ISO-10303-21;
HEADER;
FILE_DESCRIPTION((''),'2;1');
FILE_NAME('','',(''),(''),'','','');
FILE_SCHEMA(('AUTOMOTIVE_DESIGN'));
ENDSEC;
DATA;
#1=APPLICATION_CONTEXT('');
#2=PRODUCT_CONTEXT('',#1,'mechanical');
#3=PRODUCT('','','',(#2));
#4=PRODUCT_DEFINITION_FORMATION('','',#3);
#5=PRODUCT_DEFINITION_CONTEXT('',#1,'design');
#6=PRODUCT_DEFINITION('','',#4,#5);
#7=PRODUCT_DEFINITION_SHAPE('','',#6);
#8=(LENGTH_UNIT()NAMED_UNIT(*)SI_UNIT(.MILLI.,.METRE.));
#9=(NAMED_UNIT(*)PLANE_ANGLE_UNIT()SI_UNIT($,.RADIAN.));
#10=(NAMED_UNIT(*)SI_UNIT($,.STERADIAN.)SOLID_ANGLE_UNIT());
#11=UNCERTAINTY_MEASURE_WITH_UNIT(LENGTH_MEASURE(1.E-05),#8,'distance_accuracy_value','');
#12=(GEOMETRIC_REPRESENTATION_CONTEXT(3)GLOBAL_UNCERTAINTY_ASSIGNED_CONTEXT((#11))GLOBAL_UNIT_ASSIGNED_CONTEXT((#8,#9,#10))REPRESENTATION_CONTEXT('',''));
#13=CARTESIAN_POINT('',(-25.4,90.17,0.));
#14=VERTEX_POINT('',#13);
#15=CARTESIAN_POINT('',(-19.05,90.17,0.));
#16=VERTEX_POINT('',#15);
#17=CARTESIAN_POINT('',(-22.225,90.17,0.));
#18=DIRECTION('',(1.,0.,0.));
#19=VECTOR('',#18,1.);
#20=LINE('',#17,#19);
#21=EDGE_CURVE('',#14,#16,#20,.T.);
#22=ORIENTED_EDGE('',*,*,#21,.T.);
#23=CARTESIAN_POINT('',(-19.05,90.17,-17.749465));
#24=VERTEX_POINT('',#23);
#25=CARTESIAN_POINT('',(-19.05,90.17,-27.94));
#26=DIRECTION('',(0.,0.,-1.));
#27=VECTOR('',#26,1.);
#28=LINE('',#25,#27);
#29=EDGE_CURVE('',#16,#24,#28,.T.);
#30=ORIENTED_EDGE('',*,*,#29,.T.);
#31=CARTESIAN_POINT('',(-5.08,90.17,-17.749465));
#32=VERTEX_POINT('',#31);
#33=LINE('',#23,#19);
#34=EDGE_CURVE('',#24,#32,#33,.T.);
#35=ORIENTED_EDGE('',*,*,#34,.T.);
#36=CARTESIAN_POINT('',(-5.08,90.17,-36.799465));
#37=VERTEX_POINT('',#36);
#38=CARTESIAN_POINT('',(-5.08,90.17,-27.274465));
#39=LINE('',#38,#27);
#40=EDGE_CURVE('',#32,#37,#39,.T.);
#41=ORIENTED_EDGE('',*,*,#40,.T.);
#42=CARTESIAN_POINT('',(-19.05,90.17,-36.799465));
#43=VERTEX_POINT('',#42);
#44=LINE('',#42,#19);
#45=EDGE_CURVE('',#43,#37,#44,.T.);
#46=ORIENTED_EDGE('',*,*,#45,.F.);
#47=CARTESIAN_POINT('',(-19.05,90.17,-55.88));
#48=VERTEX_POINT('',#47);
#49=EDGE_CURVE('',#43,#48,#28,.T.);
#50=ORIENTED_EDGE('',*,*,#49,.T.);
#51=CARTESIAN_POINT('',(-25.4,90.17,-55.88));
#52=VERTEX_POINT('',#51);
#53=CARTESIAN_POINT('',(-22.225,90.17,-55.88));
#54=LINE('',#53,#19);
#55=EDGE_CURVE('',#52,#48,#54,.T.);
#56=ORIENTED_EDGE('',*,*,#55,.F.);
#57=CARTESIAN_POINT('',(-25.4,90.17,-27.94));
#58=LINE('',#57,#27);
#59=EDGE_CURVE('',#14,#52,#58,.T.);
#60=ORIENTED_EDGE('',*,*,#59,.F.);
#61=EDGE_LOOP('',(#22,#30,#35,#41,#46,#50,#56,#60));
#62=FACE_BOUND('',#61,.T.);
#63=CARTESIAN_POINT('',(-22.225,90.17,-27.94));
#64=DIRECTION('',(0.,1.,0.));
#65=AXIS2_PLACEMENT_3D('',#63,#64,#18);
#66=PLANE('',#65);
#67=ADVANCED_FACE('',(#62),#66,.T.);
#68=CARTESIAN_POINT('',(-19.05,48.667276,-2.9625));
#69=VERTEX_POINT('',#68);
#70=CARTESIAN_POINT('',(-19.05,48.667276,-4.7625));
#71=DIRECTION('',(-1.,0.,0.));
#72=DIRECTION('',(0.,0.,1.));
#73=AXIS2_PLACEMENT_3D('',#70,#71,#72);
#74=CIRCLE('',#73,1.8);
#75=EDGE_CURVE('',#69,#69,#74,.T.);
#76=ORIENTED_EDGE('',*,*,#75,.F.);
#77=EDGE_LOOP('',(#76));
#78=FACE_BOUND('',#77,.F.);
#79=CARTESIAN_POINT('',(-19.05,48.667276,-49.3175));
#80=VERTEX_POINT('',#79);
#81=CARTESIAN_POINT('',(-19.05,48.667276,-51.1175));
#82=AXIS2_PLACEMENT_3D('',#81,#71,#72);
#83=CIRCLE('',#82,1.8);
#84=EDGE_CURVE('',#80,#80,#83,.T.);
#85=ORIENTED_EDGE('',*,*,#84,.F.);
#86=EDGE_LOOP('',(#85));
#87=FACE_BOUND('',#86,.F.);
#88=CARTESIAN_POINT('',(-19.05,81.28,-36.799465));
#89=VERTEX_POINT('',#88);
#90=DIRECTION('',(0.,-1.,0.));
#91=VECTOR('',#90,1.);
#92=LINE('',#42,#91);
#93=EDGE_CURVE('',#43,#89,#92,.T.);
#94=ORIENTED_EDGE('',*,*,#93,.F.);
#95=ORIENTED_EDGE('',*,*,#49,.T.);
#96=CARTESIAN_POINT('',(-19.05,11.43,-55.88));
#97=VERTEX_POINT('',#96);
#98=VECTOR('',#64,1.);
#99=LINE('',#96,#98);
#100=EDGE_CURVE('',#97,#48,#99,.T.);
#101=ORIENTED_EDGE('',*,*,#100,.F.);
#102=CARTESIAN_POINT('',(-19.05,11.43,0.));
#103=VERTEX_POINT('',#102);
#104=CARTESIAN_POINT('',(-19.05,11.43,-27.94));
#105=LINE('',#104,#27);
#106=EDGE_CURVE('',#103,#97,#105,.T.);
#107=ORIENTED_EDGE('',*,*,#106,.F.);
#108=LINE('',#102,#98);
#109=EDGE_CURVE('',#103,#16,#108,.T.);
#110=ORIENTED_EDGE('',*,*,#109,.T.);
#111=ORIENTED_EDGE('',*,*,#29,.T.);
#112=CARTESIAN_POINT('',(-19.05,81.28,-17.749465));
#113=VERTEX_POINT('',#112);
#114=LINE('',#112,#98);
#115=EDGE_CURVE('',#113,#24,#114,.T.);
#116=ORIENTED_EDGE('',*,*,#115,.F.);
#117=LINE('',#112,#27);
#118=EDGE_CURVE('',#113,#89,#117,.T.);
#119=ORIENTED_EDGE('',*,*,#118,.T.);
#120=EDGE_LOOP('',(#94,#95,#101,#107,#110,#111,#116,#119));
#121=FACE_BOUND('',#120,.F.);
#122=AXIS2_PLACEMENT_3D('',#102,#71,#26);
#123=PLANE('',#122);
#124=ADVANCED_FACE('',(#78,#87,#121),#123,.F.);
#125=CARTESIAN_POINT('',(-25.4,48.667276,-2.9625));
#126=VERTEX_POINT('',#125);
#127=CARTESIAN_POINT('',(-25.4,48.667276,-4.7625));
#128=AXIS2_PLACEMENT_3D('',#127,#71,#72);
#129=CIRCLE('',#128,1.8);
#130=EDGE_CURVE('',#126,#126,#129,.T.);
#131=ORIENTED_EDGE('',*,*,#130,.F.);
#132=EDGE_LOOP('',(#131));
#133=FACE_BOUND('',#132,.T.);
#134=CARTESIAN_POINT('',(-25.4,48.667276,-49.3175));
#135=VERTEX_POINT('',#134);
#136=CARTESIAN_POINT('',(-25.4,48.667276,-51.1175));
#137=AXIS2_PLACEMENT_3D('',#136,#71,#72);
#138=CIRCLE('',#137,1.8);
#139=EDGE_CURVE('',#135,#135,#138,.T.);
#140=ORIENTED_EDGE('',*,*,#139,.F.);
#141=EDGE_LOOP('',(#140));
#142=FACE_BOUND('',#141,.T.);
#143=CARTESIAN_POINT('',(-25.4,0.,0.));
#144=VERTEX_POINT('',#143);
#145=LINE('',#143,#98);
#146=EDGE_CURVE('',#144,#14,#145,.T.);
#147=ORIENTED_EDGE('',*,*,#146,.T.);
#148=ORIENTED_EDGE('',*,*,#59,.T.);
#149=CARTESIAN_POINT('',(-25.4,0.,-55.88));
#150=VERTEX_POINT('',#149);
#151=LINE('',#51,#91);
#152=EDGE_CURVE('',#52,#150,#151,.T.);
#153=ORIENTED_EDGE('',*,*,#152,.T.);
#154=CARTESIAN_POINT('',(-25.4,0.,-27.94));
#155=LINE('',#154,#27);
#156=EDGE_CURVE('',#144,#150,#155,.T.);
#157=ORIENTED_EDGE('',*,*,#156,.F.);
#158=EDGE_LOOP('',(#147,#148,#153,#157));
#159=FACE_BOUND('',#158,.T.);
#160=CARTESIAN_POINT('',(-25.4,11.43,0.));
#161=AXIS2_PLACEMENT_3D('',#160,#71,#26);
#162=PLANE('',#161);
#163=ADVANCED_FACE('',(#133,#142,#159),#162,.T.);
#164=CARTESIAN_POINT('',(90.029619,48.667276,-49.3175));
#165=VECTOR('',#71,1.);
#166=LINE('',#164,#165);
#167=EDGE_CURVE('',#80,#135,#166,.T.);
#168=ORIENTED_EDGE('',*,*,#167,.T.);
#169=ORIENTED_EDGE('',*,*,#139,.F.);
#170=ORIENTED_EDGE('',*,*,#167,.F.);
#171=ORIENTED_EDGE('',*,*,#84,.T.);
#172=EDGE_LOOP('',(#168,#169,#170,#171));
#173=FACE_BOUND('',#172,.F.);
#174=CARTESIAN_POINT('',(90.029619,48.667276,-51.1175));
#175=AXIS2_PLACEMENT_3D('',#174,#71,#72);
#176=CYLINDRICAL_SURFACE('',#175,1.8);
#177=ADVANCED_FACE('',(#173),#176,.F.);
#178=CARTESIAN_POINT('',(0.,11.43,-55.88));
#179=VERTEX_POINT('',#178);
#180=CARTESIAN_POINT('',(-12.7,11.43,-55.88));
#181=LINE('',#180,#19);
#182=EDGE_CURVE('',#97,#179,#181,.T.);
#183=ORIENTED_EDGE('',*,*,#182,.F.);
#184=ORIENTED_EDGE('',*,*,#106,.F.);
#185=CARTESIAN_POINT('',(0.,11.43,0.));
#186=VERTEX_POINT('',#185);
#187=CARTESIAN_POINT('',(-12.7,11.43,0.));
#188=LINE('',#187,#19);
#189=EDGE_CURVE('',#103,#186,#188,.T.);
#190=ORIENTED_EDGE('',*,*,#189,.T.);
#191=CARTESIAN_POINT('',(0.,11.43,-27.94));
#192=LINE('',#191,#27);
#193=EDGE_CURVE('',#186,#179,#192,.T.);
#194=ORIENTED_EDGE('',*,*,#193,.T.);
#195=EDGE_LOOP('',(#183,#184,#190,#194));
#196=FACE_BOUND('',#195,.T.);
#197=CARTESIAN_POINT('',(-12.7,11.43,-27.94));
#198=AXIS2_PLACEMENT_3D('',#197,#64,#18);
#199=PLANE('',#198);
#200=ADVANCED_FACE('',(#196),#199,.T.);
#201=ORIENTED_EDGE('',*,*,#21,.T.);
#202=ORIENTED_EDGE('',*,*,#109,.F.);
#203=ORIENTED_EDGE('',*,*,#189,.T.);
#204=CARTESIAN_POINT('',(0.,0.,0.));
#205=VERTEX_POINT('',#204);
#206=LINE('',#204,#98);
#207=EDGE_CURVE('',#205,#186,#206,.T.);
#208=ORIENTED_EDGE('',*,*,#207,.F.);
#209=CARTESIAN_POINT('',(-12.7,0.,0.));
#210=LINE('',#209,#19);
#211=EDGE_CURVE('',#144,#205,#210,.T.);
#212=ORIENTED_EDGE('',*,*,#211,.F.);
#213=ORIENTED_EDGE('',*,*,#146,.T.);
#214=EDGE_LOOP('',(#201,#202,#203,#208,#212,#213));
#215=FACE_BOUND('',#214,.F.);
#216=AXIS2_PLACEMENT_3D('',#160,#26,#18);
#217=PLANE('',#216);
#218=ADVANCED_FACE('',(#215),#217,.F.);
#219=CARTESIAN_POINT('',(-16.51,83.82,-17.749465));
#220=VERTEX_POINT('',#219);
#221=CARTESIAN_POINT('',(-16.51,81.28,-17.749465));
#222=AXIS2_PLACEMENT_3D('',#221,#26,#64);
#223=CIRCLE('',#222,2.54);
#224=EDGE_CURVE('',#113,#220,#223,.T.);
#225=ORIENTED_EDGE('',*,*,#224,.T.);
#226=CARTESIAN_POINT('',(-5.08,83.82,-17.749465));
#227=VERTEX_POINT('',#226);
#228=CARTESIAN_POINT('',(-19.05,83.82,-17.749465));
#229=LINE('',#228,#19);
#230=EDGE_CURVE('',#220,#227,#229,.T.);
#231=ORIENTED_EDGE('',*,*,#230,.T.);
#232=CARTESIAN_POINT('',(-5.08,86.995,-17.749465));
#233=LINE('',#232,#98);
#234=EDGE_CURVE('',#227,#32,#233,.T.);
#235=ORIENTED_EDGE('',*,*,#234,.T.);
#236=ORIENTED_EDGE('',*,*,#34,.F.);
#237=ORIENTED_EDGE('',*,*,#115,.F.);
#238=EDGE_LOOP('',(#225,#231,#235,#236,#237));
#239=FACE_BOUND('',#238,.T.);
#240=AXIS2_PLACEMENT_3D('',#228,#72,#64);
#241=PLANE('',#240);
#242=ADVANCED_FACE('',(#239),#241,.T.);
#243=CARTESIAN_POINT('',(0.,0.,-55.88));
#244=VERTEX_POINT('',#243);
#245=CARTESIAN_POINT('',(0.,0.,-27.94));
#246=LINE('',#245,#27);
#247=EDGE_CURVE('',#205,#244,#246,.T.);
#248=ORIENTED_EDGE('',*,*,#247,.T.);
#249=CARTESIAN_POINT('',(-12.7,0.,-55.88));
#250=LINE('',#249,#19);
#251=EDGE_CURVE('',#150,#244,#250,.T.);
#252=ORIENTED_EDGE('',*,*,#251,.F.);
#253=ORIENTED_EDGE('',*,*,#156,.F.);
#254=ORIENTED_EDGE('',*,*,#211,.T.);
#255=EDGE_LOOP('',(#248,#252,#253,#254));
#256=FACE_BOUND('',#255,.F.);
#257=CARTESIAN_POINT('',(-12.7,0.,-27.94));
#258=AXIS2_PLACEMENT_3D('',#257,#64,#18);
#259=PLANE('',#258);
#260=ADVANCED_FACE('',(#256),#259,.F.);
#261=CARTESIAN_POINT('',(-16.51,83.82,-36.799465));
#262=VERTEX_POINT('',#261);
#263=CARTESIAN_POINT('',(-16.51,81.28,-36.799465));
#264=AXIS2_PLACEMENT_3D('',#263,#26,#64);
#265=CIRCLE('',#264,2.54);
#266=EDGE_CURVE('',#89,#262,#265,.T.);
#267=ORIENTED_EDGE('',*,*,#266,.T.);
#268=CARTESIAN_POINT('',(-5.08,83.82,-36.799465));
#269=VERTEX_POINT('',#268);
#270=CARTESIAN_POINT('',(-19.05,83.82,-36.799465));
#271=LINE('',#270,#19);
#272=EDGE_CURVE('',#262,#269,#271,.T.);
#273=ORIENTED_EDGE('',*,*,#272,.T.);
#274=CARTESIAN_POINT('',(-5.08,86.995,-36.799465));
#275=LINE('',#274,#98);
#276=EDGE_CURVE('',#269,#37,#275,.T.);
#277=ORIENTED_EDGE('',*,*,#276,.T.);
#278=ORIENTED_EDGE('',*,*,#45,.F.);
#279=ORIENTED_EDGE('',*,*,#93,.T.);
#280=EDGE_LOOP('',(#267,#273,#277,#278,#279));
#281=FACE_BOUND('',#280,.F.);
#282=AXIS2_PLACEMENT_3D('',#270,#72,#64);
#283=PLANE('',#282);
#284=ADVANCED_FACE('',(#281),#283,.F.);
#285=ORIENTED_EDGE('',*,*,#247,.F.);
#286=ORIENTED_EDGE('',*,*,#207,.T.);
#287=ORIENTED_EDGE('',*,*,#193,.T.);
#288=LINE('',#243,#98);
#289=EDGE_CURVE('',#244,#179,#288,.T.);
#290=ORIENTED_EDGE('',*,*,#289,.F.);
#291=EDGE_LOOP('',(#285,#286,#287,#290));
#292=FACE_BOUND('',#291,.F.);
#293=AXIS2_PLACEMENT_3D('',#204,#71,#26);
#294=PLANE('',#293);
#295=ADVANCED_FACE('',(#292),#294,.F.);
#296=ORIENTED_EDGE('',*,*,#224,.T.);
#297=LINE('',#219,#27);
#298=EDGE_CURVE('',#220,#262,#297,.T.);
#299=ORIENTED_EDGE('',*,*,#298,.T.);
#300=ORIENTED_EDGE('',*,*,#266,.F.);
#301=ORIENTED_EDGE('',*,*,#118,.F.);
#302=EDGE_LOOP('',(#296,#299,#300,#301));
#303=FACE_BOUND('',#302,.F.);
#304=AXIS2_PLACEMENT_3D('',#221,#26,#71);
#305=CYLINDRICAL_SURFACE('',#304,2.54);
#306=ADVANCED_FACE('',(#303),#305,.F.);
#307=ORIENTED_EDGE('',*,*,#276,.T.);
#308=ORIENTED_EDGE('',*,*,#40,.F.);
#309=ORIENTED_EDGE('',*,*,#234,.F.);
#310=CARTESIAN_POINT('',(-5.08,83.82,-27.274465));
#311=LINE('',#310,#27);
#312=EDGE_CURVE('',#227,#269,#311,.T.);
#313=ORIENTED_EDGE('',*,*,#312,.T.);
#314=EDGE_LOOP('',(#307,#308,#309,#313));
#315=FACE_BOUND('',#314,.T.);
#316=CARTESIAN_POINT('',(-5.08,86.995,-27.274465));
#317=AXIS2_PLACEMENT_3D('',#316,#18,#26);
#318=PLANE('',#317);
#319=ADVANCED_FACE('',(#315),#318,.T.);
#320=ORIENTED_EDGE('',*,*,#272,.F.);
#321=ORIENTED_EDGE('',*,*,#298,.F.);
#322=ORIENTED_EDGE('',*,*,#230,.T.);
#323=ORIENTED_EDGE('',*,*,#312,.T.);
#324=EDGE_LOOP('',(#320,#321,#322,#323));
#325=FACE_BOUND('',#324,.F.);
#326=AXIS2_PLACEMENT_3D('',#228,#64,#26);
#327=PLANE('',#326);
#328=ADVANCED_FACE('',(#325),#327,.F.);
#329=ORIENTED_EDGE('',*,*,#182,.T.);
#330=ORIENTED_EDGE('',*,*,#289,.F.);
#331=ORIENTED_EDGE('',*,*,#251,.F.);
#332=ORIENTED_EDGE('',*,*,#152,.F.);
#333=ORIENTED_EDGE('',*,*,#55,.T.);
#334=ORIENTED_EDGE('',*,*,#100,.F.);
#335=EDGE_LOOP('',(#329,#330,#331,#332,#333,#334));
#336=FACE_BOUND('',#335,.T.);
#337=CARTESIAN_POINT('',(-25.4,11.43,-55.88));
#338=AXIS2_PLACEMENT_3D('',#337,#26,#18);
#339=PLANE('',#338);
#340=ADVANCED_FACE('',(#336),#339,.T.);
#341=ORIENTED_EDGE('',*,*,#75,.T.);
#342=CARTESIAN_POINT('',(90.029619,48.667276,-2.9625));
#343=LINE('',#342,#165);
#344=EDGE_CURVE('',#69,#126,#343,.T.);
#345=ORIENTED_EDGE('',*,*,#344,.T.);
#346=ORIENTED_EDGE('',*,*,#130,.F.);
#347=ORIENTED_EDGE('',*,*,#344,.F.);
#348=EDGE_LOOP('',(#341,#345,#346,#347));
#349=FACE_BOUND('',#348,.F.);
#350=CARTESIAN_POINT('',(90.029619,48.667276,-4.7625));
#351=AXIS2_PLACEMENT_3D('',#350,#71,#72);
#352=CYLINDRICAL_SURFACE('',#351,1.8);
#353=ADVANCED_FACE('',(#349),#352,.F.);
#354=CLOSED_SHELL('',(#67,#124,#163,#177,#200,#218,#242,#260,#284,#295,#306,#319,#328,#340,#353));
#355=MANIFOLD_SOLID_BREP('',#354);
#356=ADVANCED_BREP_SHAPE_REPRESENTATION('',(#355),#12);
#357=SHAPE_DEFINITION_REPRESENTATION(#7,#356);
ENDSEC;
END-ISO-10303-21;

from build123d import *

# Parameters (mm, degrees)
SKETCH1_W            = 25.4
SKETCH1_H            = 55.88
BOSS_EXTRUDE1_DEPTH  = 11.43
SKETCH3_W            = 6.35
SKETCH3_H            = 55.88
BOSS_EXTRUDE2_DEPTH  = 78.74
SKETCH4_W            = 19.05
SKETCH4_H            = 6.35
BOSS_EXTRUDE3_DEPTH  = 13.97
M3_CLEARANCE_HOLE1_D = 3.6
FILLET1_R            = 2.54


with BuildPart() as part:
    # Sketch1 → Boss-Extrude1 (new body)
    with BuildSketch(Plane(origin=(0, 0, 0), x_dir=(1, 0, 0), z_dir=(0, 1, 0))):
        with Locations((-12.7, 27.94)):
            Rectangle(SKETCH1_W, SKETCH1_H)
    extrude(amount=BOSS_EXTRUDE1_DEPTH)

    # Sketch3 → Boss-Extrude2 (add)
    with BuildSketch(Plane(origin=(0, 11.43, 0), x_dir=(1, 0, 0), z_dir=(0, 1, 0))):
        with Locations((-22.225, 27.94)):
            Rectangle(SKETCH3_W, SKETCH3_H)
    extrude(amount=BOSS_EXTRUDE2_DEPTH)

    # Sketch4 → Boss-Extrude3 (add)
    with BuildSketch(Plane(origin=(-19.05, 0, 0), x_dir=(0, 0, -1), z_dir=(1, 0, 0))):
        with Locations((27.274464597, 86.995)):
            Rectangle(SKETCH4_W, SKETCH4_H)
    extrude(amount=BOSS_EXTRUDE3_DEPTH)

    # M3 Clearance Hole1 (through all)
    with Locations(Plane(origin=(-19.05, 0, 0), x_dir=(0, 0, -1), z_dir=(1, 0, 0))):
        with Locations((4.7625, 48.667276481), (51.1175, 48.667276481)):
            Hole(M3_CLEARANCE_HOLE1_D / 2)

    # Fillet1
    fillet1_edges = [part.edges().sort_by_distance(p)[0] for p in [
        (-19.05, 83.82, -27.274464597),
    ]]
    fillet(fillet1_edges, radius=FILLET1_R)


solid = part.part
